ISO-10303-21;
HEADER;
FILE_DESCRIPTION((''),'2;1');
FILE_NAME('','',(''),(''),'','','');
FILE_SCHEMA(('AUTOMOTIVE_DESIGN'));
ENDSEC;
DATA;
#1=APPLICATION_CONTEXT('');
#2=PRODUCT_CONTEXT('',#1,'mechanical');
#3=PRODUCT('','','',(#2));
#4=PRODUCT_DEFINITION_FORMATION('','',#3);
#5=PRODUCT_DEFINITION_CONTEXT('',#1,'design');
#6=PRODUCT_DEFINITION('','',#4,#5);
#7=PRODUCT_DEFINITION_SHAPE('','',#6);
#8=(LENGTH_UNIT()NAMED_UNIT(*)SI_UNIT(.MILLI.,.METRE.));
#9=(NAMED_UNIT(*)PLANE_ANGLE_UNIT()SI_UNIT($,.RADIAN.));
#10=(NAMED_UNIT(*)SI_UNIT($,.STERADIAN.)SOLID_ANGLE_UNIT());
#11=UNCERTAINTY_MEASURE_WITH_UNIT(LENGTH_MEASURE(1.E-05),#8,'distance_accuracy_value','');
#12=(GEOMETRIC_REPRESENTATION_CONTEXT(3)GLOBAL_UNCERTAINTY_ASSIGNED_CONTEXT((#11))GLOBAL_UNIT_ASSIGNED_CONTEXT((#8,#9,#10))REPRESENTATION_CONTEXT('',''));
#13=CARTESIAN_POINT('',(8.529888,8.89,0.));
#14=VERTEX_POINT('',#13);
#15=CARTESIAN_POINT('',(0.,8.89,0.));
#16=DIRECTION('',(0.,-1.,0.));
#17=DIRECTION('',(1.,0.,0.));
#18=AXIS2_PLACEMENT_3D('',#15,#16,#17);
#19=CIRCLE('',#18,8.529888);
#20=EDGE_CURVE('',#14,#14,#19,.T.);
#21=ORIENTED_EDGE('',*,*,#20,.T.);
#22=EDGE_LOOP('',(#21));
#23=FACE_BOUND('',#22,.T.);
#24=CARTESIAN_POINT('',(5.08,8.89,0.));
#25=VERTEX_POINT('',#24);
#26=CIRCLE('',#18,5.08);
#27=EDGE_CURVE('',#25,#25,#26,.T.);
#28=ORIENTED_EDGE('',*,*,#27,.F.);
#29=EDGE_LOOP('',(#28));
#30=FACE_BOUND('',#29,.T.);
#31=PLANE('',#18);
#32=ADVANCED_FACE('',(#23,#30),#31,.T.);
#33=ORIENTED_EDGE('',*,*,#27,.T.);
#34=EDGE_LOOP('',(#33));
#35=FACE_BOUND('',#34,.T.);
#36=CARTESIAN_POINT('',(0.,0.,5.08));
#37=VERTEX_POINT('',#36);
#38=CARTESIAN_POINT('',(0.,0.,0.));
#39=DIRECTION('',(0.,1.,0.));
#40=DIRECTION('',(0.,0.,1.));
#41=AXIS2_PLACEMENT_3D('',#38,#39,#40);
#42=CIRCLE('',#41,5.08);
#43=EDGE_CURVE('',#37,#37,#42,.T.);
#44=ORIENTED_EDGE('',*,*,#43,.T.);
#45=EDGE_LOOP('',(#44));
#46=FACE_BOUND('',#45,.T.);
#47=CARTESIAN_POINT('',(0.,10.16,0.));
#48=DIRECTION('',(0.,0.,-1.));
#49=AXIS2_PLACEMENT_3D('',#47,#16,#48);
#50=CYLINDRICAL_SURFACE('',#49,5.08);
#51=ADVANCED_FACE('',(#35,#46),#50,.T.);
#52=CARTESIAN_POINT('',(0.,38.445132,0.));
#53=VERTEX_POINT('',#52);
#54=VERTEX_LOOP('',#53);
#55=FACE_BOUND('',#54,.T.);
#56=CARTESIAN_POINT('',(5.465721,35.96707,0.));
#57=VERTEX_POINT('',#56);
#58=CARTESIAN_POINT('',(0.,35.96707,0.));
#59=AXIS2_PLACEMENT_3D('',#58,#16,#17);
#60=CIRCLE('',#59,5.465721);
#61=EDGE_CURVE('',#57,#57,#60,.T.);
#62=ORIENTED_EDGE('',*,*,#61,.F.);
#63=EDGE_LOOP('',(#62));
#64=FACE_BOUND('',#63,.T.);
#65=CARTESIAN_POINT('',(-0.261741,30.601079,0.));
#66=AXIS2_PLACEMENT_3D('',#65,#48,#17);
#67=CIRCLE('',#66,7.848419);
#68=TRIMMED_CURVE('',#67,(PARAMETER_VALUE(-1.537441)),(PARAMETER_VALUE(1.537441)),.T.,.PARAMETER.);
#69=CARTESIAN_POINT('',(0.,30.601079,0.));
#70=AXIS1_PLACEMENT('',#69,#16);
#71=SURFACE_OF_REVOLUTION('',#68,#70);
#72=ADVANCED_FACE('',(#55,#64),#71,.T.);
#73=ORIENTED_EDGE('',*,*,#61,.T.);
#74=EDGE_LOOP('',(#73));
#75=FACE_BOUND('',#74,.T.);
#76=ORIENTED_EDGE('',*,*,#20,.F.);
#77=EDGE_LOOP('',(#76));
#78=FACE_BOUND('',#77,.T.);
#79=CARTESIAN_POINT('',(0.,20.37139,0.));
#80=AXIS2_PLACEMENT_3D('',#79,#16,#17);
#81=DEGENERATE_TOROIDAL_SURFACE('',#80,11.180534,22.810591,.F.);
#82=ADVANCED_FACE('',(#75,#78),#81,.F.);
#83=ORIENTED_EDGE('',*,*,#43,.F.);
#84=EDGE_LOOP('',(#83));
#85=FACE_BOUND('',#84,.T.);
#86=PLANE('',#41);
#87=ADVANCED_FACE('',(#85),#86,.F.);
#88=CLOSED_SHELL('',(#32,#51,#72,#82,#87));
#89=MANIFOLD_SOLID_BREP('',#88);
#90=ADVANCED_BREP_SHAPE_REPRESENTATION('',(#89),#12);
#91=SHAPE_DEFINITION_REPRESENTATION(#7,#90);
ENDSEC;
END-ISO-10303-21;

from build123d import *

# Parameters (mm, degrees)
SKETCH1_R           = 5.08
BOSS_EXTRUDE1_DEPTH = 10.16


with BuildPart() as part:
    # Sketch1 → Boss-Extrude1 (new body)
    with BuildSketch(Plane(origin=(0, 0, 0), x_dir=(1, 0, 0), z_dir=(0, 1, 0))):
        with Locations(Location((0, 0, 0), (0, 0, 270))):
            Circle(SKETCH1_R)
    extrude(amount=BOSS_EXTRUDE1_DEPTH)

    # Sketch2 → Revolve1 (revolve)
    with BuildSketch(Plane.XY):
        with BuildLine():
            Line((0, 38.445132368), (0, 8.89))
            Line((0, 8.89), (8.529888413, 8.89))
            ThreePointArc((8.529888413, 8.89), (11.485386278, 22.936370775), (5.465721259, 35.967070396))
            ThreePointArc((5.465721259, 35.967070396), (2.979067065, 37.749145004), (0, 38.445132368))
        make_face()
    revolve(axis=Axis((0, 8.89, 0), (0, 1, 0)))


solid = part.part
